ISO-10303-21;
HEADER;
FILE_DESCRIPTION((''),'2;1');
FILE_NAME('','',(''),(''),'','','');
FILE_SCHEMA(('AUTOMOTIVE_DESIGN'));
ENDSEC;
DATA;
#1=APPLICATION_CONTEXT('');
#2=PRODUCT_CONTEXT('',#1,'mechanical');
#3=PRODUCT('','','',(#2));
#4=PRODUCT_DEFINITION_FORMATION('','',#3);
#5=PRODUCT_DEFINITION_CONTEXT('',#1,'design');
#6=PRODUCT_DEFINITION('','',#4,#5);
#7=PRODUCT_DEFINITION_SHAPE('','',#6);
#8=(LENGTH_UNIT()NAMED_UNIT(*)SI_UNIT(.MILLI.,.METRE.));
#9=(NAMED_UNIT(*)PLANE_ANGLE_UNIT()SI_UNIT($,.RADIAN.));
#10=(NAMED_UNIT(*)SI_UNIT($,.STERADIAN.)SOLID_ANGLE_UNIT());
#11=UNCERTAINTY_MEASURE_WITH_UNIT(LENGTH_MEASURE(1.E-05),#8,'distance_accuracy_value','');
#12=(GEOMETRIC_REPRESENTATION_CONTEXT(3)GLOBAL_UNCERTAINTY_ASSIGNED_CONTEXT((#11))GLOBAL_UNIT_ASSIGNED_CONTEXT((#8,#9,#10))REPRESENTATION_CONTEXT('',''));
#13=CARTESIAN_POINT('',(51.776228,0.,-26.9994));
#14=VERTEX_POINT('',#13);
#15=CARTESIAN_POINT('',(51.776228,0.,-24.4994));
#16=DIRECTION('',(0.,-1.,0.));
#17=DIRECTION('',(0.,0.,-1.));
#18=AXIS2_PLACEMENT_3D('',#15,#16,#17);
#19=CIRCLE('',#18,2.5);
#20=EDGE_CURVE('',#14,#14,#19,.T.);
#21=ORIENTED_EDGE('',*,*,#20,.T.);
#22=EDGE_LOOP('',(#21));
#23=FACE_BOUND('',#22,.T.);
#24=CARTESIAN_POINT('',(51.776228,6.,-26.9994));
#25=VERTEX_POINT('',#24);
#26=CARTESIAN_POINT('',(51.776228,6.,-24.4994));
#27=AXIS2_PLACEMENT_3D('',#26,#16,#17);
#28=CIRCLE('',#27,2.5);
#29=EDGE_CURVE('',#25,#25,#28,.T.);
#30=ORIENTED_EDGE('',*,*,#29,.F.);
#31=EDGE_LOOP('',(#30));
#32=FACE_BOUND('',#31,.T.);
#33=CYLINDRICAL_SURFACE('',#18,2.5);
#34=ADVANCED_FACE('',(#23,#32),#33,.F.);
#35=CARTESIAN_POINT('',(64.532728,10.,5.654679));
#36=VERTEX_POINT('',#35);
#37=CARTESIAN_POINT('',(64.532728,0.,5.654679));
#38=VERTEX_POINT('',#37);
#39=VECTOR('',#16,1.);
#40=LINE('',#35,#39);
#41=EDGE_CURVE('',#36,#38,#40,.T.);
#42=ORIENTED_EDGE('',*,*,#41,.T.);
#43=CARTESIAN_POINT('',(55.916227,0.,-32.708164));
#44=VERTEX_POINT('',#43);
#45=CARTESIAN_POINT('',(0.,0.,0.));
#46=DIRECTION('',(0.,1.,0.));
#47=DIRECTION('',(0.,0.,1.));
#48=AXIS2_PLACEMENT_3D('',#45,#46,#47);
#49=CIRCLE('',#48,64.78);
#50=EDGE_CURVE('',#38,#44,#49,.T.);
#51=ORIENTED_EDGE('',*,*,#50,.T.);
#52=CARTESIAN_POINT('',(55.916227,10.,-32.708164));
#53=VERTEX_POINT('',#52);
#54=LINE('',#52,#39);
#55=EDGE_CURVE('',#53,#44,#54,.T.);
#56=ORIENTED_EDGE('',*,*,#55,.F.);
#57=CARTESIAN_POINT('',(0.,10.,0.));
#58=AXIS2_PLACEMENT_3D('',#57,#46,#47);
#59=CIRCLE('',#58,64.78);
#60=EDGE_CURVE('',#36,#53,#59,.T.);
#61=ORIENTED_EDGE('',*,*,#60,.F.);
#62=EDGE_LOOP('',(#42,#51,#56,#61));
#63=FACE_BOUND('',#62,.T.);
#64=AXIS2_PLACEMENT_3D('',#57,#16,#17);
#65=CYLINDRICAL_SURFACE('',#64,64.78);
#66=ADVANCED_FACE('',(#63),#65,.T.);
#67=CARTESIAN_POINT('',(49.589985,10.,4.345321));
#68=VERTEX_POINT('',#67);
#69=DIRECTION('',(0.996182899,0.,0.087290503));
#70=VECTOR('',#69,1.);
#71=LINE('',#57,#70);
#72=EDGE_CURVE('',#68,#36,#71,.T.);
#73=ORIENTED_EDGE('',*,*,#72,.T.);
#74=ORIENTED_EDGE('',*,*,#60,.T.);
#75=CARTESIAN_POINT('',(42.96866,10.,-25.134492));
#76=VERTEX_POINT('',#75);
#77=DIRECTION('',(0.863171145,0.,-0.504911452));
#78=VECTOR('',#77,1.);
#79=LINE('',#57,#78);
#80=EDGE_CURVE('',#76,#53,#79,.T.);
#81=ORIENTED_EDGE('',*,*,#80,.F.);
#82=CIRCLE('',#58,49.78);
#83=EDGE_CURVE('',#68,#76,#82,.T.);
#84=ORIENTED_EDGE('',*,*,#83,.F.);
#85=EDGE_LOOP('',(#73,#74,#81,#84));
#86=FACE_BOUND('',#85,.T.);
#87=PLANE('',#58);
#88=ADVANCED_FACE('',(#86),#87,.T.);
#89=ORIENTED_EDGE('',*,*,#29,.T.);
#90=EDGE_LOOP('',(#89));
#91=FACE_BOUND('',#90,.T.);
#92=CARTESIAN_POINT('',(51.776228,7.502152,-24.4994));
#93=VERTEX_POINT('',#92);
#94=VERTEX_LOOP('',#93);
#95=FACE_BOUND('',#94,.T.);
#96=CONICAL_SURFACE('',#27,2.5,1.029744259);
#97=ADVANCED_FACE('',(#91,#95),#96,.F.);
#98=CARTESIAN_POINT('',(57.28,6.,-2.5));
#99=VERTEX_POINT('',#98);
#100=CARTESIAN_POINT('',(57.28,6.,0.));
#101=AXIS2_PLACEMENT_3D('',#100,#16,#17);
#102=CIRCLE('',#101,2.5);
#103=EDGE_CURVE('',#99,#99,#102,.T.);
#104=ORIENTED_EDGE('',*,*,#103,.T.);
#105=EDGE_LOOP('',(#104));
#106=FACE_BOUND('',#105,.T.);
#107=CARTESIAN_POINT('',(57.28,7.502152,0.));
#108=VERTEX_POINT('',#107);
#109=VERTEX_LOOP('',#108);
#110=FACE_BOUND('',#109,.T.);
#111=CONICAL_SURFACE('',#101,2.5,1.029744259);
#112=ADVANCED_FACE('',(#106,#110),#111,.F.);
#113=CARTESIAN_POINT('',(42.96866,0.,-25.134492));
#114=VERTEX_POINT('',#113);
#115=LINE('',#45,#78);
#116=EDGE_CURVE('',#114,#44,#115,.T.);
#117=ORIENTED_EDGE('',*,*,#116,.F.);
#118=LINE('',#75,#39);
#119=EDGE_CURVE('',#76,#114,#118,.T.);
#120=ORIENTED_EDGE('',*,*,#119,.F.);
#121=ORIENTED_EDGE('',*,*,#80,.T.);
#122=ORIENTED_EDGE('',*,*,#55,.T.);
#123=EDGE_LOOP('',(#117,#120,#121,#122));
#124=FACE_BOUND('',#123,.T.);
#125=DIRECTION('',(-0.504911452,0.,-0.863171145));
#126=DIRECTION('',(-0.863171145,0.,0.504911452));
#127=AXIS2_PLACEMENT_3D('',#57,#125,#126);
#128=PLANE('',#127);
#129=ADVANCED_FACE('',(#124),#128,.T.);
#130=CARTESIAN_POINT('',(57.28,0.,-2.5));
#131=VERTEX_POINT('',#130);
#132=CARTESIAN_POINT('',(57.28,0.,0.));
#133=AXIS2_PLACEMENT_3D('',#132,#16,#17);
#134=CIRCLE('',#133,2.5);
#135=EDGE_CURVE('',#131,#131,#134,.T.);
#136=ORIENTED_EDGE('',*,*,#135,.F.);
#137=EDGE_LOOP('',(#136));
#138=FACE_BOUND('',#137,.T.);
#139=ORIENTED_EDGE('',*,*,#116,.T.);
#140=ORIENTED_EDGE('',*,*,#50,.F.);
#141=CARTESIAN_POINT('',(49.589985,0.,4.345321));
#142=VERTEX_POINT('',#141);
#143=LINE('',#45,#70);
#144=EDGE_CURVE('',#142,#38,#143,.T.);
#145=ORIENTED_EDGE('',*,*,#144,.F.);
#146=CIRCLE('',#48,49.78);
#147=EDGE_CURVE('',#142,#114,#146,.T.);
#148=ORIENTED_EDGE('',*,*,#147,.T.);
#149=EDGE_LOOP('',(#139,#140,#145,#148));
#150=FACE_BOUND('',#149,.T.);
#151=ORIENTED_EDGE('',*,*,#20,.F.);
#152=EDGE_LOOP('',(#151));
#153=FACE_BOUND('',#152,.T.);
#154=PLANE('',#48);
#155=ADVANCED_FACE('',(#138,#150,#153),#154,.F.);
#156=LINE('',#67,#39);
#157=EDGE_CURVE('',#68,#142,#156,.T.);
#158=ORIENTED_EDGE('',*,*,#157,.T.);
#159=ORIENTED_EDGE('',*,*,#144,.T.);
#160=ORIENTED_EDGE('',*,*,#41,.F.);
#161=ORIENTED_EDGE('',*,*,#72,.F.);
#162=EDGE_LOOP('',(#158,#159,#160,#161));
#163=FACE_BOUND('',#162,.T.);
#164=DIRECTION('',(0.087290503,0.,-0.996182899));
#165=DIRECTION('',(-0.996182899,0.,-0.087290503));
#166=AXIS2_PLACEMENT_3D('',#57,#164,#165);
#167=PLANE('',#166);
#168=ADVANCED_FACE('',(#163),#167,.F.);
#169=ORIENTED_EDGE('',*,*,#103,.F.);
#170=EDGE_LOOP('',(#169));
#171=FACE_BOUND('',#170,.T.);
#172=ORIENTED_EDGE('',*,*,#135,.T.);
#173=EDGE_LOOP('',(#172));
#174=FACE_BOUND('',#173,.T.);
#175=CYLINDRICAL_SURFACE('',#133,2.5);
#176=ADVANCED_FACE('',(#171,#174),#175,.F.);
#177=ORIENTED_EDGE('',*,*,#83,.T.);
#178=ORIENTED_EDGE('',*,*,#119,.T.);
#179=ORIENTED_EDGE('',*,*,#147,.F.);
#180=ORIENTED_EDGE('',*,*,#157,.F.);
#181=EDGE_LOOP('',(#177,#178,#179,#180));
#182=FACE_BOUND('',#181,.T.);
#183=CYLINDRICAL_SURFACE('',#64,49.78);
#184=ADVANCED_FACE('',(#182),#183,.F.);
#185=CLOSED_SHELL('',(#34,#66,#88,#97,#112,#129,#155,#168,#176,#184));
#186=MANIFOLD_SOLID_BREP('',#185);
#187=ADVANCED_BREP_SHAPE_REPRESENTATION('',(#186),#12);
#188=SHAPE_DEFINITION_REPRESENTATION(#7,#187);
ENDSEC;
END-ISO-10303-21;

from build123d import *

# Parameters (mm, degrees)
BOSS_EXTRUDE1_DEPTH       = 10
F_5_0MM_DOWEL_HOLE1_D     = 5
F_5_0MM_DOWEL_HOLE1_DEPTH = 6
F_5_0MM_DOWEL_HOLE1_TIP   = 1.502151548


with BuildPart() as part:
    # Sketch1 → Boss-Extrude1 (new body)
    with BuildSketch(Plane(origin=(0, 0, 0), x_dir=(1, 0, 0), z_dir=(0, 1, 0))):
        with BuildLine():
            ThreePointArc((49.589984709, -4.345321229), (48.569954781, 10.909073863), (42.968659609, 25.134492066))
            Line((42.968659609, 25.134492066), (55.916226787, 32.708163842))
            ThreePointArc((55.916226787, 32.708163842), (63.205336897, 14.196259639), (64.532728193, -5.654678771))
            Line((64.532728193, -5.654678771), (49.589984709, -4.345321229))
        make_face()
    extrude(amount=BOSS_EXTRUDE1_DEPTH)

    # Ø5.0mm Dowel Hole1
    with Locations(Plane(origin=(0, 0, 0), x_dir=(-1, 0, 0), z_dir=(0, -1, 0))):
        with Locations((-57.28, 0), (-51.776228177, 24.499399905)):
            Hole(F_5_0MM_DOWEL_HOLE1_D / 2, depth=F_5_0MM_DOWEL_HOLE1_DEPTH)
            with Locations((0, 0, -(F_5_0MM_DOWEL_HOLE1_DEPTH + F_5_0MM_DOWEL_HOLE1_TIP / 2))):  # 118° drill point
                Cone(0, F_5_0MM_DOWEL_HOLE1_D / 2, F_5_0MM_DOWEL_HOLE1_TIP, mode=Mode.SUBTRACT)


solid = part.part
